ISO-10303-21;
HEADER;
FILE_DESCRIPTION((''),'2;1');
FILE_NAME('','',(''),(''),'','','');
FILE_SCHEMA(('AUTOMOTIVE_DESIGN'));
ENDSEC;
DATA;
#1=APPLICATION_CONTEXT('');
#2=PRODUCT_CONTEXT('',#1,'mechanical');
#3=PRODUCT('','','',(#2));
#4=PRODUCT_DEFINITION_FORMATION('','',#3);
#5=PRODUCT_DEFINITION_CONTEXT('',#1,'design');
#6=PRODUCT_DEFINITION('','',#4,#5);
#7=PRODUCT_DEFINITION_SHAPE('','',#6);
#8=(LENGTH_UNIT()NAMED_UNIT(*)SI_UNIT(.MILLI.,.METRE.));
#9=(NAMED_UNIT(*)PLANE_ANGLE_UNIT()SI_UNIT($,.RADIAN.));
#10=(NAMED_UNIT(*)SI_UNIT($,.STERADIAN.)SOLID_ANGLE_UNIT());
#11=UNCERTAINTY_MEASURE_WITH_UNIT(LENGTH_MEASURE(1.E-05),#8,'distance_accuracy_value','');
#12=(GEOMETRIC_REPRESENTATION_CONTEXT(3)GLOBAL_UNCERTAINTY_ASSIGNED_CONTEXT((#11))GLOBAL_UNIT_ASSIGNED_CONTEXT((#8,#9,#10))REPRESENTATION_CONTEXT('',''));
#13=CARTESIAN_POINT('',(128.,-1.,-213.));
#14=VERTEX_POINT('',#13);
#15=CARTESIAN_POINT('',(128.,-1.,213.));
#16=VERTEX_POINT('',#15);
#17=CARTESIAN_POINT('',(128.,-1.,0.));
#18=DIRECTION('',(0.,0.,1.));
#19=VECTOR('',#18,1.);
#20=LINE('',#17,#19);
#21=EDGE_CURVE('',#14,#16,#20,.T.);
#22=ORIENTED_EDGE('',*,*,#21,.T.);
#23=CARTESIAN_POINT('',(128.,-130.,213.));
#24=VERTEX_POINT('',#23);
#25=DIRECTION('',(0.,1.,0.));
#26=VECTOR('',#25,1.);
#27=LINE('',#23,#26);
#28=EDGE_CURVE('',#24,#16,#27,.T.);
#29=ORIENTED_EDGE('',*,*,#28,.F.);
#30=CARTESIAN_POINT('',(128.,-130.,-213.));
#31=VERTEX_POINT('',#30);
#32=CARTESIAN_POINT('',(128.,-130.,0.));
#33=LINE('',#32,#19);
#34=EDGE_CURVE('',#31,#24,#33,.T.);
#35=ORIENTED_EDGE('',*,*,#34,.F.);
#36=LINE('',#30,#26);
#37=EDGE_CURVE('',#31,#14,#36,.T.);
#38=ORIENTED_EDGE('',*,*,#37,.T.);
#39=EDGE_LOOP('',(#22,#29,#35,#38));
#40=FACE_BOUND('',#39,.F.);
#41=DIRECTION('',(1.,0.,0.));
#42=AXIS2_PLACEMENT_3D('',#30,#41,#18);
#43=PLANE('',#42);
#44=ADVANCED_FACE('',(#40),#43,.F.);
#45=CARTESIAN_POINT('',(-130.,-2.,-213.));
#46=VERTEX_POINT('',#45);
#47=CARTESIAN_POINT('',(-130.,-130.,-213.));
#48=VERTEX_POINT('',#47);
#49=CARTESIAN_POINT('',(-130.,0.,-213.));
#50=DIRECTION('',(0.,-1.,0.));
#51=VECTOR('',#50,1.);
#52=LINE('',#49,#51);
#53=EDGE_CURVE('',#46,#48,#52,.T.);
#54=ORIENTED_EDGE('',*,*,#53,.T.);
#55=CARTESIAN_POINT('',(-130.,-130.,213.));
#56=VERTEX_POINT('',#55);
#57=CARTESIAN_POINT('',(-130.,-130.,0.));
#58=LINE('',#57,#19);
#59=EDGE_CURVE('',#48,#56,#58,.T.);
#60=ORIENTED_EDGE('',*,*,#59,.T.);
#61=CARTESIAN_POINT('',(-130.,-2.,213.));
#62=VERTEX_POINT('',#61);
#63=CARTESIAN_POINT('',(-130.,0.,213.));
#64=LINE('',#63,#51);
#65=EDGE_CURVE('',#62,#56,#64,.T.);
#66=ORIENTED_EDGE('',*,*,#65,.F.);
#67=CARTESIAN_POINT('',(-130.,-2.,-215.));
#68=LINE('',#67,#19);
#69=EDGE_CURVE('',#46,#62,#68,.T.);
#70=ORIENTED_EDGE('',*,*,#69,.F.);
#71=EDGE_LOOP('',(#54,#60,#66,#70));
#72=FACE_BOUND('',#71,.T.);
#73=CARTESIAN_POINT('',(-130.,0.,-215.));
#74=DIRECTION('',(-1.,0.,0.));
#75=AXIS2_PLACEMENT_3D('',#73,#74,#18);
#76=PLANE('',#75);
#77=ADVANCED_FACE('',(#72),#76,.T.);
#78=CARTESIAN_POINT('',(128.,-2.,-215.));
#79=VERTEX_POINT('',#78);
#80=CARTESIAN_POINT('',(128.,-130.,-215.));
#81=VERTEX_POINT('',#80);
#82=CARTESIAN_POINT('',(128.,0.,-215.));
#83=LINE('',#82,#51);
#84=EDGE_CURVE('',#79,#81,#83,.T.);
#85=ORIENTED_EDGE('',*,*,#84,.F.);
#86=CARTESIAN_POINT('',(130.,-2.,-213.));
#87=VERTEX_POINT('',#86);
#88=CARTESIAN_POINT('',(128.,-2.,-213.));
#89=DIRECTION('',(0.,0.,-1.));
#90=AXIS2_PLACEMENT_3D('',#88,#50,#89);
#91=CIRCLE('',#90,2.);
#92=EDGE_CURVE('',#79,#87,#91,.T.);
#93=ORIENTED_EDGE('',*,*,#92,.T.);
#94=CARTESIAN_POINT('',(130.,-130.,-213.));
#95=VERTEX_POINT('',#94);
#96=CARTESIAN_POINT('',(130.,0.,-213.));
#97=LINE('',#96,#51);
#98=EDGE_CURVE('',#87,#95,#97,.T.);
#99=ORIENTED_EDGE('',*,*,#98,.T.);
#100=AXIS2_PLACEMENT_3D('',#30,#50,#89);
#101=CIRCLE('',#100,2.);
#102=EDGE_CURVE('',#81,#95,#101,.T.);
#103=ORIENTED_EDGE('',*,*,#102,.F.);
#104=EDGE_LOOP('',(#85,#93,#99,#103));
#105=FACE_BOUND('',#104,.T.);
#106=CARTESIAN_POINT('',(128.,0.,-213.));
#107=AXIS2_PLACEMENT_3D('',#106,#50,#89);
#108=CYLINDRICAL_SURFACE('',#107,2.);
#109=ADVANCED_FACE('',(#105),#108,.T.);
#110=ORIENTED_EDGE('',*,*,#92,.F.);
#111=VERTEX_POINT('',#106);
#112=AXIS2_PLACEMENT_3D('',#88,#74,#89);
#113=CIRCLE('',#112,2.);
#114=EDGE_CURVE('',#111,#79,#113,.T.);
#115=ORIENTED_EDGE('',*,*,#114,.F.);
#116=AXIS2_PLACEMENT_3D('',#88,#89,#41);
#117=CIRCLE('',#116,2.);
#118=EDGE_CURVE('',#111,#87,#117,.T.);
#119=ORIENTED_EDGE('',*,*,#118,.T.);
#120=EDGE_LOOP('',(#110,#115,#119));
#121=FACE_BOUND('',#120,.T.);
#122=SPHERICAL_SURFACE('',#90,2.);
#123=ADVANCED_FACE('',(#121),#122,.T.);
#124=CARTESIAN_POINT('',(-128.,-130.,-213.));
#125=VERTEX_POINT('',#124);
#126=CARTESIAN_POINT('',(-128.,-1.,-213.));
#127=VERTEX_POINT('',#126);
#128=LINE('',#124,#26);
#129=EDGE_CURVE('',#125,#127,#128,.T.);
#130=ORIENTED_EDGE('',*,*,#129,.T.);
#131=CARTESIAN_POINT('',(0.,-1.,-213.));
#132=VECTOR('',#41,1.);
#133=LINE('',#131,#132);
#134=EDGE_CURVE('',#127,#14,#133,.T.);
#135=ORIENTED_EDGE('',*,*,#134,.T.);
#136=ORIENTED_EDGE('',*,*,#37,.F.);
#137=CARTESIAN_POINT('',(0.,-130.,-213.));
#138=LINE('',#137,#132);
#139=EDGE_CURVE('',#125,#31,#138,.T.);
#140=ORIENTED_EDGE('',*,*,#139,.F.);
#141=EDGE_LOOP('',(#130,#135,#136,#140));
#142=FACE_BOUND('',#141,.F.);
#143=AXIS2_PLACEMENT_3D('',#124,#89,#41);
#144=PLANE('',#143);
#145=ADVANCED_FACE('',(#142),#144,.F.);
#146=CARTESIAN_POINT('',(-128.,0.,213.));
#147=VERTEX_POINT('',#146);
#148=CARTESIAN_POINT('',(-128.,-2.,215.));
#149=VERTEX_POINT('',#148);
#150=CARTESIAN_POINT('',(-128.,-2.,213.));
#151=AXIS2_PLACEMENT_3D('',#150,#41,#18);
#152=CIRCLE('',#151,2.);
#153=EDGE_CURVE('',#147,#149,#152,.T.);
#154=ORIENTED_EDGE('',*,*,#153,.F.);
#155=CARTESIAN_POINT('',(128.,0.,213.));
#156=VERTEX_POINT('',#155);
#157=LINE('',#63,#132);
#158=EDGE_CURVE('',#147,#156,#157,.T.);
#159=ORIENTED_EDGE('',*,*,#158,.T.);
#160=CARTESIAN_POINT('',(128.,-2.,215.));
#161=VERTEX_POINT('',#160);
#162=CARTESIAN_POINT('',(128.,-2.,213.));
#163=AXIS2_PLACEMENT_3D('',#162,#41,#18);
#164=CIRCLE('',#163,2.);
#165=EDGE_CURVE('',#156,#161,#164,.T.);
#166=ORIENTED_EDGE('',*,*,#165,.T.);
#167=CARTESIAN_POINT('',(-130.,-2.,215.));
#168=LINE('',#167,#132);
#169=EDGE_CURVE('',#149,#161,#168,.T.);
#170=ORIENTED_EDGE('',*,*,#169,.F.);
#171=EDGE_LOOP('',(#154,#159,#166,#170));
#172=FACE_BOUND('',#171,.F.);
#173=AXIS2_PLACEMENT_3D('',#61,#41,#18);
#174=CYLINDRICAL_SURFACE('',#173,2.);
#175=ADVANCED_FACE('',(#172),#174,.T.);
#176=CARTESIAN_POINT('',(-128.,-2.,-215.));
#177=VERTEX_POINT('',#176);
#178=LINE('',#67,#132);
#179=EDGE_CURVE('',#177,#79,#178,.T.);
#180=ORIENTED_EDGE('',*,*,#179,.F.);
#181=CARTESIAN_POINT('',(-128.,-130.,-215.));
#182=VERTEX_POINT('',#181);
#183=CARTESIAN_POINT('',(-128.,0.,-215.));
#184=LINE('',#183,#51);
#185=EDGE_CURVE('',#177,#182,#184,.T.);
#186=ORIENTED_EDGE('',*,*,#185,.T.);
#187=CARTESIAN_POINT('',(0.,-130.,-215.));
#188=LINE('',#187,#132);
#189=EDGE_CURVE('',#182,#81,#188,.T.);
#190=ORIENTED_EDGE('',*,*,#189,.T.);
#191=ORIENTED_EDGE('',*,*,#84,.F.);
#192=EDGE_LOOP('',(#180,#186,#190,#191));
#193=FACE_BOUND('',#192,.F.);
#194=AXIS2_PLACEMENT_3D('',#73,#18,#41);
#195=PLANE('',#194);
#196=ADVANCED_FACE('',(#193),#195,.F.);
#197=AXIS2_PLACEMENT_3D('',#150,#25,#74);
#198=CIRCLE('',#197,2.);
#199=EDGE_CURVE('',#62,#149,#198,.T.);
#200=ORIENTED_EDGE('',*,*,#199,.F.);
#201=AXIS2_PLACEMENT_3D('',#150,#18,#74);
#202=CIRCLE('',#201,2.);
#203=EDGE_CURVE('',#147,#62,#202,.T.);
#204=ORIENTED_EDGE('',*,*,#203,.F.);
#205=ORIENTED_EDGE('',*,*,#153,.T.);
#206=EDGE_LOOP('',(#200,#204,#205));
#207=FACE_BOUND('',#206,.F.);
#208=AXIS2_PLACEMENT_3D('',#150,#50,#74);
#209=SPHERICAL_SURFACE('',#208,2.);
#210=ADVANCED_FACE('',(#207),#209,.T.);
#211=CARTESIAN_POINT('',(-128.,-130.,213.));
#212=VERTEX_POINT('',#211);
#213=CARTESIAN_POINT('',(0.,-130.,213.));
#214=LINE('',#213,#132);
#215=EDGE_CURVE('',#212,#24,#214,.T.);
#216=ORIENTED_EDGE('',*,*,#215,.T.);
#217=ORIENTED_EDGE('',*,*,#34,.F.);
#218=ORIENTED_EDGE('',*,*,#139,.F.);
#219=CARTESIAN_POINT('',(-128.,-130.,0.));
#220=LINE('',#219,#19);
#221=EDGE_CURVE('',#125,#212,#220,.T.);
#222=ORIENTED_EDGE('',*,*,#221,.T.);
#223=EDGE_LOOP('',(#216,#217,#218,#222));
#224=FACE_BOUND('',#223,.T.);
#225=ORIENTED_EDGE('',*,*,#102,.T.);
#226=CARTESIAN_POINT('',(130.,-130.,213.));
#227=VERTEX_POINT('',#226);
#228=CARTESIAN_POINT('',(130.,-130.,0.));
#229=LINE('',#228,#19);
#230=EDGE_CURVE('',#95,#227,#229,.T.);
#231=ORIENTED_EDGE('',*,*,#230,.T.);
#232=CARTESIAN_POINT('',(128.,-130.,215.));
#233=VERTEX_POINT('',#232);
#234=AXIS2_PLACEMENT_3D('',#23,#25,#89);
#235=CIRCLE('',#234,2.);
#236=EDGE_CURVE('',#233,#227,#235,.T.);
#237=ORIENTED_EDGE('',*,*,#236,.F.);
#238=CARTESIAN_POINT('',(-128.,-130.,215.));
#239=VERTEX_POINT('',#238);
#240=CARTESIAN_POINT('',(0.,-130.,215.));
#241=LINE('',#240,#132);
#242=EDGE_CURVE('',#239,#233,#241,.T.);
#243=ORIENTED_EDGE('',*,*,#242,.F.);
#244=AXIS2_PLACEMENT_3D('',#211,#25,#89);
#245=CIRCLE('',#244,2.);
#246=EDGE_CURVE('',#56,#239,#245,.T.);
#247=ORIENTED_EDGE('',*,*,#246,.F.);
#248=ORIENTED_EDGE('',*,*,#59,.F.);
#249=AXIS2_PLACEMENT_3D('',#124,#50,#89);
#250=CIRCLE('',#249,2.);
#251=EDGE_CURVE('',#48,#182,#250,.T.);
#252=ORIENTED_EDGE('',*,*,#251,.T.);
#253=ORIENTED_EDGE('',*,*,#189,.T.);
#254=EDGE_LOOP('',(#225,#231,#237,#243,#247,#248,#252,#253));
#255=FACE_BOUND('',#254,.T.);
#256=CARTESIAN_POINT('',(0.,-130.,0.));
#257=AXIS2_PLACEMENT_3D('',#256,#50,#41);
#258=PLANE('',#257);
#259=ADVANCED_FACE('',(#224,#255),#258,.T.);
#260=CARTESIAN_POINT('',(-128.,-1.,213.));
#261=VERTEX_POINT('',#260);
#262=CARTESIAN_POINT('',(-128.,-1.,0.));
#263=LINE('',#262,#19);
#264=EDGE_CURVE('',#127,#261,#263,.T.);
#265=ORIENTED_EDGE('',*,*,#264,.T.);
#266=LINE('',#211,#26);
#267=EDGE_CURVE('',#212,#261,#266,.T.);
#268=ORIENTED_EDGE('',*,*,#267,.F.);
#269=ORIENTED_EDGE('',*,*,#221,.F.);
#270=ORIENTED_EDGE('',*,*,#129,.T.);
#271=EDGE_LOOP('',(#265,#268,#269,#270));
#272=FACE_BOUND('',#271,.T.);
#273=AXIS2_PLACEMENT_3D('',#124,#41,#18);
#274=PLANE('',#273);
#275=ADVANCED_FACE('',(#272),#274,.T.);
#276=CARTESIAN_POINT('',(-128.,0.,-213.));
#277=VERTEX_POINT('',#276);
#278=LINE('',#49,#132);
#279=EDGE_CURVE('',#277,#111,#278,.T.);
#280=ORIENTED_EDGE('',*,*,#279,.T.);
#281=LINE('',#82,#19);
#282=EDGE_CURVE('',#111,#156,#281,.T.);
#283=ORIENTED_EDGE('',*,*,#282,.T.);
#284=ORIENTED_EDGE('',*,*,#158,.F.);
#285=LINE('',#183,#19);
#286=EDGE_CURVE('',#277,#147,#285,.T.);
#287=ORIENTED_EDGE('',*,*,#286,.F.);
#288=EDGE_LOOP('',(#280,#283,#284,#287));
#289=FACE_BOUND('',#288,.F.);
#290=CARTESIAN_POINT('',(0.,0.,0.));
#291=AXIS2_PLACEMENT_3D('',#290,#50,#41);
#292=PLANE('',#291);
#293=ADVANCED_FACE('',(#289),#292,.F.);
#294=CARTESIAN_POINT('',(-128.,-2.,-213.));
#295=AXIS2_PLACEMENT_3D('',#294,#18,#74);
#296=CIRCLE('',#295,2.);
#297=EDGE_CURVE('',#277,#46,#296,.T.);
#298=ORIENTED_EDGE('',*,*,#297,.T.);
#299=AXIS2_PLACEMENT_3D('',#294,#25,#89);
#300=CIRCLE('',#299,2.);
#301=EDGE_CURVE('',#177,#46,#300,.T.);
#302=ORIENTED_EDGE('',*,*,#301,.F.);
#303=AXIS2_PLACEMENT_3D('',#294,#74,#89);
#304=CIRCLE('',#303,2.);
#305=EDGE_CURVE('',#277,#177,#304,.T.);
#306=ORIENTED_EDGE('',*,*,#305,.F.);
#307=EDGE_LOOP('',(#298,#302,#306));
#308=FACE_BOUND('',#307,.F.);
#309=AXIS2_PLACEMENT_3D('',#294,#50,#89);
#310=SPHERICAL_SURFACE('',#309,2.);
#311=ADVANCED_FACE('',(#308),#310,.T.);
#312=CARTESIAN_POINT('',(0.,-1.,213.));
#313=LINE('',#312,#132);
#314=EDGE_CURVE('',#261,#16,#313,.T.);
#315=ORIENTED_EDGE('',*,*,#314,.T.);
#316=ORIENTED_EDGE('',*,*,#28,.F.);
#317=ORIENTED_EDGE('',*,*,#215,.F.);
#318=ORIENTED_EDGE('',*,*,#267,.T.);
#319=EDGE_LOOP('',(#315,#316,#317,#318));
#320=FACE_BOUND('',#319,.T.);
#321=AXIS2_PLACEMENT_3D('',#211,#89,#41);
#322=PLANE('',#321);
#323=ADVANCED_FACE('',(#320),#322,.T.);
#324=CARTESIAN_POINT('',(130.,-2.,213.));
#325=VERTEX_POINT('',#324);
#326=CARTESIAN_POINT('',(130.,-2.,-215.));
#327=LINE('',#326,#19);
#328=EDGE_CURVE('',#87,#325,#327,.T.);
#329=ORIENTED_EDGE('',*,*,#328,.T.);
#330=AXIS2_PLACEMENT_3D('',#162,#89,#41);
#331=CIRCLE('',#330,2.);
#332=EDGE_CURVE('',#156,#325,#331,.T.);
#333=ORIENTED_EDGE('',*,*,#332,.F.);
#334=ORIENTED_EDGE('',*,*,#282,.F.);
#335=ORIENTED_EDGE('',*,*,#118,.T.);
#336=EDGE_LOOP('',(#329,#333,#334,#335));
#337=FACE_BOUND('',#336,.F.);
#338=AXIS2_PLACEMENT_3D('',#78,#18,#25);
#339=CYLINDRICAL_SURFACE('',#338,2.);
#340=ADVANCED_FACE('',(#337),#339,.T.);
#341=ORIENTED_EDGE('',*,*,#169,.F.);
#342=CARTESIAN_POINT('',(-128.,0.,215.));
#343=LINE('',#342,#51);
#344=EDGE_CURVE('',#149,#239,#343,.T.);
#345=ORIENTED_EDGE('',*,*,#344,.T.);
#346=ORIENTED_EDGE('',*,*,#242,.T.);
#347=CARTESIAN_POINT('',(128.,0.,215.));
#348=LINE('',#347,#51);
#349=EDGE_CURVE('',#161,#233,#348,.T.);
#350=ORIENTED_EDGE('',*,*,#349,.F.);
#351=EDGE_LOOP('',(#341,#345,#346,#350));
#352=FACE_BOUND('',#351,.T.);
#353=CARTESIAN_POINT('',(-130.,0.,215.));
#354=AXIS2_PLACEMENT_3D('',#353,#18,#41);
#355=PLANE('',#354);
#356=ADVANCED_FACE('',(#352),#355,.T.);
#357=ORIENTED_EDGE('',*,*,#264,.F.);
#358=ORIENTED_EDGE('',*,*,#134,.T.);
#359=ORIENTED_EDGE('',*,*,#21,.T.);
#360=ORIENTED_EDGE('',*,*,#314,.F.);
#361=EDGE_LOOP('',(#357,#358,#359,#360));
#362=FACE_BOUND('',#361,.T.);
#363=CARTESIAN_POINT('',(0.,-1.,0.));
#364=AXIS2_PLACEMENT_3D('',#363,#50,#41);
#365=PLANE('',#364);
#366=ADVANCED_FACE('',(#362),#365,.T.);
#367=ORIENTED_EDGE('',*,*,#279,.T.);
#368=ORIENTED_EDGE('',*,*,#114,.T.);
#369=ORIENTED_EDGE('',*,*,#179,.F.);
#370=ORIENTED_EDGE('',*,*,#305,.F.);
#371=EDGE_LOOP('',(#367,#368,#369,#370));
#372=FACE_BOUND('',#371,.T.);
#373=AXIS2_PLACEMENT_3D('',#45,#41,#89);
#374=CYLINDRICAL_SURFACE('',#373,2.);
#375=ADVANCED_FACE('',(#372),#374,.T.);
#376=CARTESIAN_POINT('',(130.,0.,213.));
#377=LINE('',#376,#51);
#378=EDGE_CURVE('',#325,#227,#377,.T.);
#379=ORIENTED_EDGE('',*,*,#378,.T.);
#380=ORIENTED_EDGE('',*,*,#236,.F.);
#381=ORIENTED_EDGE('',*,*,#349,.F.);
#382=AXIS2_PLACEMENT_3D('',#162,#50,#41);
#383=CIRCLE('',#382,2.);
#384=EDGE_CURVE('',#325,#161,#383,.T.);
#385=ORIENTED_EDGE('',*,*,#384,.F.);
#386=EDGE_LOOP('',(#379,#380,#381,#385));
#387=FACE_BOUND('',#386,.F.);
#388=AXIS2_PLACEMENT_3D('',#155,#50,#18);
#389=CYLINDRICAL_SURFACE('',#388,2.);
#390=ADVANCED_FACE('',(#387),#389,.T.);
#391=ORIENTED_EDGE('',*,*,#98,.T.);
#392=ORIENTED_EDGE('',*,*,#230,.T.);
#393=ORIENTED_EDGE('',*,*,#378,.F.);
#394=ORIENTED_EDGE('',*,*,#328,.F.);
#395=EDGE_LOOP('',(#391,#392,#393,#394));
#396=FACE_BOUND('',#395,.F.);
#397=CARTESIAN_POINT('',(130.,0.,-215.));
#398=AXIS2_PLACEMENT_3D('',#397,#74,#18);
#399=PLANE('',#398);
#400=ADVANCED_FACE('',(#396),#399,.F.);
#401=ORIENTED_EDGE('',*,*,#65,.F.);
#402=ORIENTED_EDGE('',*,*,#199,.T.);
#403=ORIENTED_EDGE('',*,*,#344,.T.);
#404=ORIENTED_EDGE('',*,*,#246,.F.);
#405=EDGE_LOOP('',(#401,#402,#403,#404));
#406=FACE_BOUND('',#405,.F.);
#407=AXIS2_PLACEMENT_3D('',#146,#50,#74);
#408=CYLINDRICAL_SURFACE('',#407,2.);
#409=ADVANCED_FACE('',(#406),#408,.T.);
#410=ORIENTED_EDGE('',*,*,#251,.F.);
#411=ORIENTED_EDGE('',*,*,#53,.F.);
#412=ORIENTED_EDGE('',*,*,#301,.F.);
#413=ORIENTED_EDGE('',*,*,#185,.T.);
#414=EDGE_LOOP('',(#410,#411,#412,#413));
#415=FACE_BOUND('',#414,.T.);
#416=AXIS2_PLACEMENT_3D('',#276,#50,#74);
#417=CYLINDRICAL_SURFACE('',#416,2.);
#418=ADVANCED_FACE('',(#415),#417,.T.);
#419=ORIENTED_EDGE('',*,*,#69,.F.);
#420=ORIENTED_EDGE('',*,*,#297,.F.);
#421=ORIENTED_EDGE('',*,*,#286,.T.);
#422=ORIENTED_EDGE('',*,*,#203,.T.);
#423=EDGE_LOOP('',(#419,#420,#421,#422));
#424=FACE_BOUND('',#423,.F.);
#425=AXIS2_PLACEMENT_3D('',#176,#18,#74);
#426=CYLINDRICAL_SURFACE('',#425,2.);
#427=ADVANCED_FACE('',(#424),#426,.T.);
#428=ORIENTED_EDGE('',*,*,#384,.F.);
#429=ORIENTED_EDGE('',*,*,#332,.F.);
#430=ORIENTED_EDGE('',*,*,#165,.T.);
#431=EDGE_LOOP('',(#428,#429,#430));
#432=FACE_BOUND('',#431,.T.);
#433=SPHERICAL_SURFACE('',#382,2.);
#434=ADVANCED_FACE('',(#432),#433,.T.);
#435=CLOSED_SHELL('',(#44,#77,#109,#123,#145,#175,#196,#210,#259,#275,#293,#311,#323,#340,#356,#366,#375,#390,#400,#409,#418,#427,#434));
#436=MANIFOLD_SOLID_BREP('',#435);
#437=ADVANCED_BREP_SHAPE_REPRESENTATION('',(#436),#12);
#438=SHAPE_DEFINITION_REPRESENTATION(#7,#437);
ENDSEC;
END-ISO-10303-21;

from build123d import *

# Parameters (mm, degrees)
F0_W     = 260
F0_H     = 430
F1_DEPTH = 130
F2_W     = 256
F2_H     = 426
F3_DEPTH = 129
F4_R     = 2


with BuildPart() as f1:
    # F0 (on Front) → F1 (new body)
    with BuildSketch(Plane.XZ):
        Rectangle(F0_W, F0_H)
    extrude(amount=F1_DEPTH)

    # F2 (on face) → F3 (cut)
    with BuildSketch(Plane.XZ.offset(130)):
        Rectangle(F2_W, F2_H)
    extrude(amount=-F3_DEPTH, mode=Mode.SUBTRACT)

    # F4
    f4_edges = [f1.edges().sort_by_distance(p)[0] for p in [
        (-130, -65, 215),
        (130, -65, 215),
        (-130, -65, -215),
        (130, -65, -215),
        (0, 0, -215),
        (130, 0, 0),
        (-130, 0, 0),
        (0, 0, 215),
    ]]
    fillet(f4_edges, radius=F4_R)


solid = f1.part
